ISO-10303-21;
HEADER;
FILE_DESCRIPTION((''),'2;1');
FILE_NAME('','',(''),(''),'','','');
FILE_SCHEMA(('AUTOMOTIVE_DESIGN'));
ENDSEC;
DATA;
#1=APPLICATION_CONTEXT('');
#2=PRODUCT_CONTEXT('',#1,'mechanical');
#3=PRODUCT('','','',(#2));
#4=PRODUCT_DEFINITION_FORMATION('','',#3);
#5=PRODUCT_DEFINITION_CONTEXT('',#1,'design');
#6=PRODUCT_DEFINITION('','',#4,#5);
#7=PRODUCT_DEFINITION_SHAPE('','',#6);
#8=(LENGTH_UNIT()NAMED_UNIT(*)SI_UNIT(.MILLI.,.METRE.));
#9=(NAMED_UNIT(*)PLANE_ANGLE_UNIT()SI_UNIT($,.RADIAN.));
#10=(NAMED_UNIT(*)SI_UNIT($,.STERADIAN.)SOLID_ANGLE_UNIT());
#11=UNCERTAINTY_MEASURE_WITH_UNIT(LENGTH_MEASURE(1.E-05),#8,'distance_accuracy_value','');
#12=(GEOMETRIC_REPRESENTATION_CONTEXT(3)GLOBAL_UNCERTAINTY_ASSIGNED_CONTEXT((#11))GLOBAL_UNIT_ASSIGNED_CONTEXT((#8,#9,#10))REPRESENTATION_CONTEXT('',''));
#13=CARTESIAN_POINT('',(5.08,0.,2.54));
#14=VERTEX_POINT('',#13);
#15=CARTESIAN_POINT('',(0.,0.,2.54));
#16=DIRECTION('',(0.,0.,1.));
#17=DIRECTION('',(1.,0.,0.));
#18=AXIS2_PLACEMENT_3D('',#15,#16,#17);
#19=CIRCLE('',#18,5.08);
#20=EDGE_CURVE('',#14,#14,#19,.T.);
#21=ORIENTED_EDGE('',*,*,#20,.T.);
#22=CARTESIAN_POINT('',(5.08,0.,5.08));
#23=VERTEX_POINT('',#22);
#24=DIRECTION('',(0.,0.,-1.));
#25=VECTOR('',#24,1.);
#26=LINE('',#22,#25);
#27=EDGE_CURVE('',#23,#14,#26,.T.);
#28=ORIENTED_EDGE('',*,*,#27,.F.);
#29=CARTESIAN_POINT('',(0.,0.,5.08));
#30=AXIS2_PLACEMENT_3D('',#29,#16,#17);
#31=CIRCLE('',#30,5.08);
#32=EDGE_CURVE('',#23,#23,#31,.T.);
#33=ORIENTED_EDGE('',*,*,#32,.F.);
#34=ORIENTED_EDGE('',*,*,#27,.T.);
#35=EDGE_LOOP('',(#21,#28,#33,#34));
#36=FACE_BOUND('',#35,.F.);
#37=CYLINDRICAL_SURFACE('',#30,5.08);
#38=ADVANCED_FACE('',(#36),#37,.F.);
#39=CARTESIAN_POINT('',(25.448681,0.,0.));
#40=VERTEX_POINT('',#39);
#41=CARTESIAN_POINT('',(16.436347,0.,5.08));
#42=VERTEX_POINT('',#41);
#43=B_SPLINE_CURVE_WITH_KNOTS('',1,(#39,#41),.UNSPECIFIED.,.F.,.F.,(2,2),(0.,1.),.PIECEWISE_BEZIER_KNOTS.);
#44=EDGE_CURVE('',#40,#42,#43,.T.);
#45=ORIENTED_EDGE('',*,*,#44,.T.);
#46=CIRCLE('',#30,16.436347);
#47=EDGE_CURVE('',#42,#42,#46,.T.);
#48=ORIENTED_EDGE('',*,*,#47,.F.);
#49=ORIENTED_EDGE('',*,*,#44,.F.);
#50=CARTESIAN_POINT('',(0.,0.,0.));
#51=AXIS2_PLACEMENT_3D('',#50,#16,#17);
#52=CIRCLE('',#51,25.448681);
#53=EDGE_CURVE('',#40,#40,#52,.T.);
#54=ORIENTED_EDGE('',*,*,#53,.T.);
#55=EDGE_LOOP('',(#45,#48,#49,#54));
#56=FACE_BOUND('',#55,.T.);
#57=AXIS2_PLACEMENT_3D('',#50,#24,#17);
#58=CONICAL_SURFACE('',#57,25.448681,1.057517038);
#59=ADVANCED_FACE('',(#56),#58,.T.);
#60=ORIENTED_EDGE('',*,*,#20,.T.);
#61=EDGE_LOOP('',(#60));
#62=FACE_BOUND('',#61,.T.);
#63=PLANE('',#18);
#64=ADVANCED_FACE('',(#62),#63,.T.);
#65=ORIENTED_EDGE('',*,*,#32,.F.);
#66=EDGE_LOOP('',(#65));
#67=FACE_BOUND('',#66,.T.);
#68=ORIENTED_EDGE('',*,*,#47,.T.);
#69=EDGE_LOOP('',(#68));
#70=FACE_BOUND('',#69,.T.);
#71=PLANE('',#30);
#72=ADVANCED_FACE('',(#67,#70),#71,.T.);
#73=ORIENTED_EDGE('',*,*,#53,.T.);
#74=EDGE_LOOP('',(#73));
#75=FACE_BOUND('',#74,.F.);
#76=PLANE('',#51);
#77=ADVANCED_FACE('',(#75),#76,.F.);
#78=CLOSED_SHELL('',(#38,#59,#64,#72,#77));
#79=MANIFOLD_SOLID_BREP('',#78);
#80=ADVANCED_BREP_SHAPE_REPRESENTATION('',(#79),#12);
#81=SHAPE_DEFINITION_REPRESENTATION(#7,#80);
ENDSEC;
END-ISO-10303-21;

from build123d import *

# Parameters (mm, degrees)
F0_R     = 25.448681
F2_R     = 16.436347
F4_R     = 5.08
F5_DEPTH = 2.54


with BuildPart() as f3:
    # F0 (on Top) → F3 section 0
    with BuildSketch(Plane.XY):
        Circle(F0_R)
    # F2 (on offset) → F3 section 1
    with BuildSketch(Plane.XY.offset(5.08)):
        Circle(F2_R)
    loft()

    # F4 (on face) → F5 (cut)
    with BuildSketch(Plane.XY.offset(5.08)):
        Circle(F4_R)
    extrude(amount=-F5_DEPTH, mode=Mode.SUBTRACT)


solid = f3.part
